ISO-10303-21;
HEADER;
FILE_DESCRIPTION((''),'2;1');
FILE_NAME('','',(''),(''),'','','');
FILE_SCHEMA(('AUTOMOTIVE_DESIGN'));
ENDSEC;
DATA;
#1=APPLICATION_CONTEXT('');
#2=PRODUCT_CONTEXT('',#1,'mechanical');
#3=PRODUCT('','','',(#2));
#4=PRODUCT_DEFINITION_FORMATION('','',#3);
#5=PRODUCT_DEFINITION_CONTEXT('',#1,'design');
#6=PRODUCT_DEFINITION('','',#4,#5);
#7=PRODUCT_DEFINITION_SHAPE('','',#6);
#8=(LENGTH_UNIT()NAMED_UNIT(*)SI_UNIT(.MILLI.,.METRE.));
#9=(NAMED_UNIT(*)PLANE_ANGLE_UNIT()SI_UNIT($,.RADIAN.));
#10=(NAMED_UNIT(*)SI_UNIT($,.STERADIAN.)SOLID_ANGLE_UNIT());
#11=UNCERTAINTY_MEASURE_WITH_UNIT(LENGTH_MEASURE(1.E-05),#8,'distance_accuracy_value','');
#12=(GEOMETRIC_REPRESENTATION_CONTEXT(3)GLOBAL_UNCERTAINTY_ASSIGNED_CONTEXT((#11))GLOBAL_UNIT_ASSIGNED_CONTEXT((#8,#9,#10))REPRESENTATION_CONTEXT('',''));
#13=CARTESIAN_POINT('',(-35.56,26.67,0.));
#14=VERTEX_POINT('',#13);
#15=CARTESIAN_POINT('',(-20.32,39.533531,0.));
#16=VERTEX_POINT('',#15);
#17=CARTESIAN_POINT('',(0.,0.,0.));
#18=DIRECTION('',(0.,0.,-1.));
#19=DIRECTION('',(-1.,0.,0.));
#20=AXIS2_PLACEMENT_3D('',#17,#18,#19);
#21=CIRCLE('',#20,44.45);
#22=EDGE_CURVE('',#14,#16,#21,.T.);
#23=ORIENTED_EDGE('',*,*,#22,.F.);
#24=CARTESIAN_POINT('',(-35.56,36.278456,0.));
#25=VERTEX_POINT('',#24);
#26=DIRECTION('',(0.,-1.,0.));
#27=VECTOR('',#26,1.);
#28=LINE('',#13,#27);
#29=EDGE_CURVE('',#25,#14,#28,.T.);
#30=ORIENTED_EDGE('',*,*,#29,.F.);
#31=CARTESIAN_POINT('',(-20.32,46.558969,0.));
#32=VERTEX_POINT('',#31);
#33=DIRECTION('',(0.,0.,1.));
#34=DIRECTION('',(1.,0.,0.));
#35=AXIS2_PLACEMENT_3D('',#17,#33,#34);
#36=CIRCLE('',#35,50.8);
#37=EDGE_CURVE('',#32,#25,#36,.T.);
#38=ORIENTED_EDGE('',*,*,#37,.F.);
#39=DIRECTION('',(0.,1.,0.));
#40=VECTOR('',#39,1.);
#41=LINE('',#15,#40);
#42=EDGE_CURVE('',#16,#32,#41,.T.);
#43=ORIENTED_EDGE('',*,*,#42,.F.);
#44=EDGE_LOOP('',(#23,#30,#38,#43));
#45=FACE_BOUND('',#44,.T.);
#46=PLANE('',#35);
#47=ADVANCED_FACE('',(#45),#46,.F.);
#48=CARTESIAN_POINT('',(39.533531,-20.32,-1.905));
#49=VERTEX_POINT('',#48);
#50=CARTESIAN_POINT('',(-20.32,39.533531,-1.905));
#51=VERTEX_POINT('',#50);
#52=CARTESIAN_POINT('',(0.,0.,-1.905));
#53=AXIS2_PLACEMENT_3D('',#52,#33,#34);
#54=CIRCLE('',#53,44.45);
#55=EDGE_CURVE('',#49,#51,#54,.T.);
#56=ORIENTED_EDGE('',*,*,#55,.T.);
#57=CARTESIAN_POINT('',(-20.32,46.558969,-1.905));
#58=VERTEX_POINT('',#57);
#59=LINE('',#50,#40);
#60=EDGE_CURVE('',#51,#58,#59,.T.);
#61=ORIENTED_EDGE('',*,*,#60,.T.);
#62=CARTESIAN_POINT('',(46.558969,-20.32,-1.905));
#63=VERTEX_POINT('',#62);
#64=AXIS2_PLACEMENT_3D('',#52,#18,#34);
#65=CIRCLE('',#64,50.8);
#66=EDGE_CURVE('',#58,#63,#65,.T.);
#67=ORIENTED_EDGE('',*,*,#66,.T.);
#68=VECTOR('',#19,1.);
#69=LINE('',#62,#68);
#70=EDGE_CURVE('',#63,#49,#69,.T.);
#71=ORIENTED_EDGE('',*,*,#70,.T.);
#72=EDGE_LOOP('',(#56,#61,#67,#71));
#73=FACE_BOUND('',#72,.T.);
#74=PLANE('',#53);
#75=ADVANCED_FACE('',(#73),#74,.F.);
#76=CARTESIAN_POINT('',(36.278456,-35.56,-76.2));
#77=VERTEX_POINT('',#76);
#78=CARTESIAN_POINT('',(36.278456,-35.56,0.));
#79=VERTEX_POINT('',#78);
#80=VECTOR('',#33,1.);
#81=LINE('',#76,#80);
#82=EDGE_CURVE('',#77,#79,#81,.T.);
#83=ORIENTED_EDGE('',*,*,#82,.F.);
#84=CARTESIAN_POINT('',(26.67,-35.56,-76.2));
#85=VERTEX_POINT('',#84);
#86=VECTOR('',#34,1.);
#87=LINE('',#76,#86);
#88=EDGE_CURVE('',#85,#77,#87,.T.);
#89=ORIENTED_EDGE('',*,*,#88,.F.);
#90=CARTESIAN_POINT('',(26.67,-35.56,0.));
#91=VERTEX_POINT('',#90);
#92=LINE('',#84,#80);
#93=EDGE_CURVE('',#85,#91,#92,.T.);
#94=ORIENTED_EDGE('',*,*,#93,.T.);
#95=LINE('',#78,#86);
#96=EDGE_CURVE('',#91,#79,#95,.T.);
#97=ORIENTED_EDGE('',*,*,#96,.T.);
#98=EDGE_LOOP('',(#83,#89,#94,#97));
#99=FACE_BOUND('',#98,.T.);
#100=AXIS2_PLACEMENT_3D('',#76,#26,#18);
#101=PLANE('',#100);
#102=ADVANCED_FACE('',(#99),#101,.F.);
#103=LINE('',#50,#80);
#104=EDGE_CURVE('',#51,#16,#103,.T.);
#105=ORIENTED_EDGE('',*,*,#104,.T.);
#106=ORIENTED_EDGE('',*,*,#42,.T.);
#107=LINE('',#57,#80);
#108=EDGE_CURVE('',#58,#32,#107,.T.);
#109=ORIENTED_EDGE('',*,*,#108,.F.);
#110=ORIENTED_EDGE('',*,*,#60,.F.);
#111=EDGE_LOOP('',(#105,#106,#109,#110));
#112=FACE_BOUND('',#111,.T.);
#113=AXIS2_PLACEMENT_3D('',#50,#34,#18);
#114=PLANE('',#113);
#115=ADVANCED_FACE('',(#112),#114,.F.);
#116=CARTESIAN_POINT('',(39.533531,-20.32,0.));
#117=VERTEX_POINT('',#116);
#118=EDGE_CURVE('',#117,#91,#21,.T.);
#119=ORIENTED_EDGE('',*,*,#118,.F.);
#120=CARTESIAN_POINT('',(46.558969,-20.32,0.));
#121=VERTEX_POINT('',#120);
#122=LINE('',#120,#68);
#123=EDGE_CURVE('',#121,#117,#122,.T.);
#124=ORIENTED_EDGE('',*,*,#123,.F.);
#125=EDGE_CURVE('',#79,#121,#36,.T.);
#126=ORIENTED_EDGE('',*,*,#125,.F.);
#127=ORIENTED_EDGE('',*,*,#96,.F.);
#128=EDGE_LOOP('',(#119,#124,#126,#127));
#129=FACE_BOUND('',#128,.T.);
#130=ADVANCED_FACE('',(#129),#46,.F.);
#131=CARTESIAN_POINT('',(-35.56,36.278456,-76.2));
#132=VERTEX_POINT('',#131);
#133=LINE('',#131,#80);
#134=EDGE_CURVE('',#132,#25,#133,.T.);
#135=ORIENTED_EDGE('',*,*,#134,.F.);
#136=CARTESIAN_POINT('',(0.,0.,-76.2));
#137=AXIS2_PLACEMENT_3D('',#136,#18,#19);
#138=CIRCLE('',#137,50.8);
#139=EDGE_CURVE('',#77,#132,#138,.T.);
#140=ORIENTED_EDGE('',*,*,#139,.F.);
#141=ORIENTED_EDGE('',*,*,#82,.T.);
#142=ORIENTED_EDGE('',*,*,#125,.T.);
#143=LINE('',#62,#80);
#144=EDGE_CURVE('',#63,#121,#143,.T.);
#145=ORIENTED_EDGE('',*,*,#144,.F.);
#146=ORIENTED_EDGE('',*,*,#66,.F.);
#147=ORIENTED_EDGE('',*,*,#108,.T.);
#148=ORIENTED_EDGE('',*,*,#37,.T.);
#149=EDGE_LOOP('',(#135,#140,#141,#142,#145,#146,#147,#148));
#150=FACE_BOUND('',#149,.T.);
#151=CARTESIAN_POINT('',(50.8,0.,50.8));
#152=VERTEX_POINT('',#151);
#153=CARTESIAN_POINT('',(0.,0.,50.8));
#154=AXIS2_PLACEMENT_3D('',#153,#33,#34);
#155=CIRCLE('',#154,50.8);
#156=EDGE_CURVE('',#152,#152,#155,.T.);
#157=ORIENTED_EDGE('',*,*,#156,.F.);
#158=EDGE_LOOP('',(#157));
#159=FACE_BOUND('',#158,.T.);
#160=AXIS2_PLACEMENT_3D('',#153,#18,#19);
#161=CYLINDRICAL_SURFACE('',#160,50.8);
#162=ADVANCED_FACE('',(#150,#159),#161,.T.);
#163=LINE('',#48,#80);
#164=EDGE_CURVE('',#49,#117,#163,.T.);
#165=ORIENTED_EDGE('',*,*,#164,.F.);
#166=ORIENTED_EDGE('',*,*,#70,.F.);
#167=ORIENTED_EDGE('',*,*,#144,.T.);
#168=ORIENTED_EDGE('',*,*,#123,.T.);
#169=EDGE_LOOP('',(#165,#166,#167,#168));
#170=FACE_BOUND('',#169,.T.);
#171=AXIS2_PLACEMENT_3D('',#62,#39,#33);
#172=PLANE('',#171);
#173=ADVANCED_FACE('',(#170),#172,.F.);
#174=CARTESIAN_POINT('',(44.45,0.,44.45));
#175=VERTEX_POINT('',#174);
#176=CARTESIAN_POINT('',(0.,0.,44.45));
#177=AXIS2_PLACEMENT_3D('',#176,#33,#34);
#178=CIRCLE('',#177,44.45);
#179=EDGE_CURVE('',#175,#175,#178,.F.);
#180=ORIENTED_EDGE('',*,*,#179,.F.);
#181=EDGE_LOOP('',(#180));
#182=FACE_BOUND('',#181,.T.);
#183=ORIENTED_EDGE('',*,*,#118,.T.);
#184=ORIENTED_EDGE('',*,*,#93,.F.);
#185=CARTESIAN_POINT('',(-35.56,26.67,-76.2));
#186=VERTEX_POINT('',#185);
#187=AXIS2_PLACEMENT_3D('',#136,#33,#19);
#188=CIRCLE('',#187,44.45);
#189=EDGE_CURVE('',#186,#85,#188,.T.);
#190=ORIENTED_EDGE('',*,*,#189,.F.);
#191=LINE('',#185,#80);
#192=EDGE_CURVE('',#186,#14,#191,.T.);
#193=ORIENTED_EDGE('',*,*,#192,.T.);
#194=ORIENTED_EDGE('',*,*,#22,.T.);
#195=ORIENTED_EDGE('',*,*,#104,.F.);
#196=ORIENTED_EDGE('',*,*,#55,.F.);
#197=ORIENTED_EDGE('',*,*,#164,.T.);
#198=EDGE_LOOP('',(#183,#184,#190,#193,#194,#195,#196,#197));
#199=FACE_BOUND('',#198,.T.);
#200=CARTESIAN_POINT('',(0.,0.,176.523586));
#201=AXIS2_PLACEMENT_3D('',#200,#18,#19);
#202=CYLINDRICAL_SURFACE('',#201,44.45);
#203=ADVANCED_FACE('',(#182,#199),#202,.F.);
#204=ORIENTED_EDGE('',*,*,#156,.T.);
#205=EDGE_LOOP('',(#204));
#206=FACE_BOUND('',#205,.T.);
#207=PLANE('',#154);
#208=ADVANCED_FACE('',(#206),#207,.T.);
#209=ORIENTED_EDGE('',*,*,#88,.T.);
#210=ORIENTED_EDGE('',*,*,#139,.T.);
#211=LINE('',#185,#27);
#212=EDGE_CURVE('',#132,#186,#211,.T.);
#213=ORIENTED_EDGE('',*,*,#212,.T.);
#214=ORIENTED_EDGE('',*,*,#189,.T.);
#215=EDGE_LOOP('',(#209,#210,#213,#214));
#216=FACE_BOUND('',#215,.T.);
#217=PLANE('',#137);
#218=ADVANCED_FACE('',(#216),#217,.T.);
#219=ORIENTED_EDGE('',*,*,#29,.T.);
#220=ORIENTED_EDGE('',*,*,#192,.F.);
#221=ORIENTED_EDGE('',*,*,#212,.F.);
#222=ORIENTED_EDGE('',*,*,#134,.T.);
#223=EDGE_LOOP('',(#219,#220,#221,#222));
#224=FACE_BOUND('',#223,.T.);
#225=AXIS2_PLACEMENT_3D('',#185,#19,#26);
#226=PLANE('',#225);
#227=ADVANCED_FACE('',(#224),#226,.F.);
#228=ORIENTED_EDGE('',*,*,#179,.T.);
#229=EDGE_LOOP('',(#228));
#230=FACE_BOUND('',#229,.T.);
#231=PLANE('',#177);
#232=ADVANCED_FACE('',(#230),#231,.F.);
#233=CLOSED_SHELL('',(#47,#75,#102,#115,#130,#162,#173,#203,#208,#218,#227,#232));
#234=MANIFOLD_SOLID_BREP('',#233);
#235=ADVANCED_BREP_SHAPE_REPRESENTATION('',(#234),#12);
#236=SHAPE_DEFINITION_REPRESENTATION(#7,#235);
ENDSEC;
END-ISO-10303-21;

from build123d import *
from build123d.topology import SkipClean

# Parameters (mm, degrees)
SKETCH1_R           = 50.8
BOSS_EXTRUDE1_DEPTH = 50.8
SKETCH2_R           = 44.45
CUT_EXTRUDE1_DEPTH  = 44.45
BOSS_EXTRUDE2_START = 76.2
BOSS_EXTRUDE2_DEPTH = 76.2
BOSS_EXTRUDE3_START = 1.905
BOSS_EXTRUDE3_DEPTH = 1.905


with BuildPart() as part:
    # Sketch1 → Boss-Extrude1 (new body)
    with BuildSketch(Plane.XY):
        Circle(SKETCH1_R)
    extrude(amount=BOSS_EXTRUDE1_DEPTH)

    # Sketch2 → Cut-Extrude1 (cut)
    with BuildSketch(Plane(origin=(0, 0, 0), x_dir=(-1, 0, 0), z_dir=(0, 0, -1))):
        Circle(SKETCH2_R)
    extrude(amount=-CUT_EXTRUDE1_DEPTH, mode=Mode.SUBTRACT)

    # Sketch3 → Boss-Extrude2 (add)
    with BuildSketch(Plane(origin=(0, 0, 0), x_dir=(-1, 0, 0), z_dir=(0, 0, -1)).offset(BOSS_EXTRUDE2_START)):
        with BuildLine():
            Line((-36.278456417, -35.56), (-26.67, -35.56))
            ThreePointArc((-26.67, -35.56), (31.430896424, -31.430896424), (35.56, 26.67))
            Line((35.56, 26.67), (35.56, 36.278456417))
            ThreePointArc((35.56, 36.278456417), (35.921024484, -35.921024484), (-36.278456417, -35.56))
        make_face()
    extrude(amount=-BOSS_EXTRUDE2_DEPTH)

    # Sketch4 → Boss-Extrude3 (add)
    with SkipClean():  # the faces are left unmerged after this step: merging them gives an invalid solid
        with BuildSketch(Plane(origin=(0, 0, 0), x_dir=(-1, 0, 0), z_dir=(0, 0, -1)).offset(BOSS_EXTRUDE3_START)):
            with BuildLine():
                Line((-46.558969061, -20.32), (-39.533531337, -20.32))
                ThreePointArc((-39.533531337, -20.32), (-31.430896424, 31.430896424), (20.32, 39.533531337))
                Line((20.32, 39.533531337), (20.32, 46.558969061))
                ThreePointArc((20.32, 46.558969061), (-35.921024484, 35.921024484), (-46.558969061, -20.32))
            make_face()
        extrude(amount=-BOSS_EXTRUDE3_DEPTH)


solid = part.part
